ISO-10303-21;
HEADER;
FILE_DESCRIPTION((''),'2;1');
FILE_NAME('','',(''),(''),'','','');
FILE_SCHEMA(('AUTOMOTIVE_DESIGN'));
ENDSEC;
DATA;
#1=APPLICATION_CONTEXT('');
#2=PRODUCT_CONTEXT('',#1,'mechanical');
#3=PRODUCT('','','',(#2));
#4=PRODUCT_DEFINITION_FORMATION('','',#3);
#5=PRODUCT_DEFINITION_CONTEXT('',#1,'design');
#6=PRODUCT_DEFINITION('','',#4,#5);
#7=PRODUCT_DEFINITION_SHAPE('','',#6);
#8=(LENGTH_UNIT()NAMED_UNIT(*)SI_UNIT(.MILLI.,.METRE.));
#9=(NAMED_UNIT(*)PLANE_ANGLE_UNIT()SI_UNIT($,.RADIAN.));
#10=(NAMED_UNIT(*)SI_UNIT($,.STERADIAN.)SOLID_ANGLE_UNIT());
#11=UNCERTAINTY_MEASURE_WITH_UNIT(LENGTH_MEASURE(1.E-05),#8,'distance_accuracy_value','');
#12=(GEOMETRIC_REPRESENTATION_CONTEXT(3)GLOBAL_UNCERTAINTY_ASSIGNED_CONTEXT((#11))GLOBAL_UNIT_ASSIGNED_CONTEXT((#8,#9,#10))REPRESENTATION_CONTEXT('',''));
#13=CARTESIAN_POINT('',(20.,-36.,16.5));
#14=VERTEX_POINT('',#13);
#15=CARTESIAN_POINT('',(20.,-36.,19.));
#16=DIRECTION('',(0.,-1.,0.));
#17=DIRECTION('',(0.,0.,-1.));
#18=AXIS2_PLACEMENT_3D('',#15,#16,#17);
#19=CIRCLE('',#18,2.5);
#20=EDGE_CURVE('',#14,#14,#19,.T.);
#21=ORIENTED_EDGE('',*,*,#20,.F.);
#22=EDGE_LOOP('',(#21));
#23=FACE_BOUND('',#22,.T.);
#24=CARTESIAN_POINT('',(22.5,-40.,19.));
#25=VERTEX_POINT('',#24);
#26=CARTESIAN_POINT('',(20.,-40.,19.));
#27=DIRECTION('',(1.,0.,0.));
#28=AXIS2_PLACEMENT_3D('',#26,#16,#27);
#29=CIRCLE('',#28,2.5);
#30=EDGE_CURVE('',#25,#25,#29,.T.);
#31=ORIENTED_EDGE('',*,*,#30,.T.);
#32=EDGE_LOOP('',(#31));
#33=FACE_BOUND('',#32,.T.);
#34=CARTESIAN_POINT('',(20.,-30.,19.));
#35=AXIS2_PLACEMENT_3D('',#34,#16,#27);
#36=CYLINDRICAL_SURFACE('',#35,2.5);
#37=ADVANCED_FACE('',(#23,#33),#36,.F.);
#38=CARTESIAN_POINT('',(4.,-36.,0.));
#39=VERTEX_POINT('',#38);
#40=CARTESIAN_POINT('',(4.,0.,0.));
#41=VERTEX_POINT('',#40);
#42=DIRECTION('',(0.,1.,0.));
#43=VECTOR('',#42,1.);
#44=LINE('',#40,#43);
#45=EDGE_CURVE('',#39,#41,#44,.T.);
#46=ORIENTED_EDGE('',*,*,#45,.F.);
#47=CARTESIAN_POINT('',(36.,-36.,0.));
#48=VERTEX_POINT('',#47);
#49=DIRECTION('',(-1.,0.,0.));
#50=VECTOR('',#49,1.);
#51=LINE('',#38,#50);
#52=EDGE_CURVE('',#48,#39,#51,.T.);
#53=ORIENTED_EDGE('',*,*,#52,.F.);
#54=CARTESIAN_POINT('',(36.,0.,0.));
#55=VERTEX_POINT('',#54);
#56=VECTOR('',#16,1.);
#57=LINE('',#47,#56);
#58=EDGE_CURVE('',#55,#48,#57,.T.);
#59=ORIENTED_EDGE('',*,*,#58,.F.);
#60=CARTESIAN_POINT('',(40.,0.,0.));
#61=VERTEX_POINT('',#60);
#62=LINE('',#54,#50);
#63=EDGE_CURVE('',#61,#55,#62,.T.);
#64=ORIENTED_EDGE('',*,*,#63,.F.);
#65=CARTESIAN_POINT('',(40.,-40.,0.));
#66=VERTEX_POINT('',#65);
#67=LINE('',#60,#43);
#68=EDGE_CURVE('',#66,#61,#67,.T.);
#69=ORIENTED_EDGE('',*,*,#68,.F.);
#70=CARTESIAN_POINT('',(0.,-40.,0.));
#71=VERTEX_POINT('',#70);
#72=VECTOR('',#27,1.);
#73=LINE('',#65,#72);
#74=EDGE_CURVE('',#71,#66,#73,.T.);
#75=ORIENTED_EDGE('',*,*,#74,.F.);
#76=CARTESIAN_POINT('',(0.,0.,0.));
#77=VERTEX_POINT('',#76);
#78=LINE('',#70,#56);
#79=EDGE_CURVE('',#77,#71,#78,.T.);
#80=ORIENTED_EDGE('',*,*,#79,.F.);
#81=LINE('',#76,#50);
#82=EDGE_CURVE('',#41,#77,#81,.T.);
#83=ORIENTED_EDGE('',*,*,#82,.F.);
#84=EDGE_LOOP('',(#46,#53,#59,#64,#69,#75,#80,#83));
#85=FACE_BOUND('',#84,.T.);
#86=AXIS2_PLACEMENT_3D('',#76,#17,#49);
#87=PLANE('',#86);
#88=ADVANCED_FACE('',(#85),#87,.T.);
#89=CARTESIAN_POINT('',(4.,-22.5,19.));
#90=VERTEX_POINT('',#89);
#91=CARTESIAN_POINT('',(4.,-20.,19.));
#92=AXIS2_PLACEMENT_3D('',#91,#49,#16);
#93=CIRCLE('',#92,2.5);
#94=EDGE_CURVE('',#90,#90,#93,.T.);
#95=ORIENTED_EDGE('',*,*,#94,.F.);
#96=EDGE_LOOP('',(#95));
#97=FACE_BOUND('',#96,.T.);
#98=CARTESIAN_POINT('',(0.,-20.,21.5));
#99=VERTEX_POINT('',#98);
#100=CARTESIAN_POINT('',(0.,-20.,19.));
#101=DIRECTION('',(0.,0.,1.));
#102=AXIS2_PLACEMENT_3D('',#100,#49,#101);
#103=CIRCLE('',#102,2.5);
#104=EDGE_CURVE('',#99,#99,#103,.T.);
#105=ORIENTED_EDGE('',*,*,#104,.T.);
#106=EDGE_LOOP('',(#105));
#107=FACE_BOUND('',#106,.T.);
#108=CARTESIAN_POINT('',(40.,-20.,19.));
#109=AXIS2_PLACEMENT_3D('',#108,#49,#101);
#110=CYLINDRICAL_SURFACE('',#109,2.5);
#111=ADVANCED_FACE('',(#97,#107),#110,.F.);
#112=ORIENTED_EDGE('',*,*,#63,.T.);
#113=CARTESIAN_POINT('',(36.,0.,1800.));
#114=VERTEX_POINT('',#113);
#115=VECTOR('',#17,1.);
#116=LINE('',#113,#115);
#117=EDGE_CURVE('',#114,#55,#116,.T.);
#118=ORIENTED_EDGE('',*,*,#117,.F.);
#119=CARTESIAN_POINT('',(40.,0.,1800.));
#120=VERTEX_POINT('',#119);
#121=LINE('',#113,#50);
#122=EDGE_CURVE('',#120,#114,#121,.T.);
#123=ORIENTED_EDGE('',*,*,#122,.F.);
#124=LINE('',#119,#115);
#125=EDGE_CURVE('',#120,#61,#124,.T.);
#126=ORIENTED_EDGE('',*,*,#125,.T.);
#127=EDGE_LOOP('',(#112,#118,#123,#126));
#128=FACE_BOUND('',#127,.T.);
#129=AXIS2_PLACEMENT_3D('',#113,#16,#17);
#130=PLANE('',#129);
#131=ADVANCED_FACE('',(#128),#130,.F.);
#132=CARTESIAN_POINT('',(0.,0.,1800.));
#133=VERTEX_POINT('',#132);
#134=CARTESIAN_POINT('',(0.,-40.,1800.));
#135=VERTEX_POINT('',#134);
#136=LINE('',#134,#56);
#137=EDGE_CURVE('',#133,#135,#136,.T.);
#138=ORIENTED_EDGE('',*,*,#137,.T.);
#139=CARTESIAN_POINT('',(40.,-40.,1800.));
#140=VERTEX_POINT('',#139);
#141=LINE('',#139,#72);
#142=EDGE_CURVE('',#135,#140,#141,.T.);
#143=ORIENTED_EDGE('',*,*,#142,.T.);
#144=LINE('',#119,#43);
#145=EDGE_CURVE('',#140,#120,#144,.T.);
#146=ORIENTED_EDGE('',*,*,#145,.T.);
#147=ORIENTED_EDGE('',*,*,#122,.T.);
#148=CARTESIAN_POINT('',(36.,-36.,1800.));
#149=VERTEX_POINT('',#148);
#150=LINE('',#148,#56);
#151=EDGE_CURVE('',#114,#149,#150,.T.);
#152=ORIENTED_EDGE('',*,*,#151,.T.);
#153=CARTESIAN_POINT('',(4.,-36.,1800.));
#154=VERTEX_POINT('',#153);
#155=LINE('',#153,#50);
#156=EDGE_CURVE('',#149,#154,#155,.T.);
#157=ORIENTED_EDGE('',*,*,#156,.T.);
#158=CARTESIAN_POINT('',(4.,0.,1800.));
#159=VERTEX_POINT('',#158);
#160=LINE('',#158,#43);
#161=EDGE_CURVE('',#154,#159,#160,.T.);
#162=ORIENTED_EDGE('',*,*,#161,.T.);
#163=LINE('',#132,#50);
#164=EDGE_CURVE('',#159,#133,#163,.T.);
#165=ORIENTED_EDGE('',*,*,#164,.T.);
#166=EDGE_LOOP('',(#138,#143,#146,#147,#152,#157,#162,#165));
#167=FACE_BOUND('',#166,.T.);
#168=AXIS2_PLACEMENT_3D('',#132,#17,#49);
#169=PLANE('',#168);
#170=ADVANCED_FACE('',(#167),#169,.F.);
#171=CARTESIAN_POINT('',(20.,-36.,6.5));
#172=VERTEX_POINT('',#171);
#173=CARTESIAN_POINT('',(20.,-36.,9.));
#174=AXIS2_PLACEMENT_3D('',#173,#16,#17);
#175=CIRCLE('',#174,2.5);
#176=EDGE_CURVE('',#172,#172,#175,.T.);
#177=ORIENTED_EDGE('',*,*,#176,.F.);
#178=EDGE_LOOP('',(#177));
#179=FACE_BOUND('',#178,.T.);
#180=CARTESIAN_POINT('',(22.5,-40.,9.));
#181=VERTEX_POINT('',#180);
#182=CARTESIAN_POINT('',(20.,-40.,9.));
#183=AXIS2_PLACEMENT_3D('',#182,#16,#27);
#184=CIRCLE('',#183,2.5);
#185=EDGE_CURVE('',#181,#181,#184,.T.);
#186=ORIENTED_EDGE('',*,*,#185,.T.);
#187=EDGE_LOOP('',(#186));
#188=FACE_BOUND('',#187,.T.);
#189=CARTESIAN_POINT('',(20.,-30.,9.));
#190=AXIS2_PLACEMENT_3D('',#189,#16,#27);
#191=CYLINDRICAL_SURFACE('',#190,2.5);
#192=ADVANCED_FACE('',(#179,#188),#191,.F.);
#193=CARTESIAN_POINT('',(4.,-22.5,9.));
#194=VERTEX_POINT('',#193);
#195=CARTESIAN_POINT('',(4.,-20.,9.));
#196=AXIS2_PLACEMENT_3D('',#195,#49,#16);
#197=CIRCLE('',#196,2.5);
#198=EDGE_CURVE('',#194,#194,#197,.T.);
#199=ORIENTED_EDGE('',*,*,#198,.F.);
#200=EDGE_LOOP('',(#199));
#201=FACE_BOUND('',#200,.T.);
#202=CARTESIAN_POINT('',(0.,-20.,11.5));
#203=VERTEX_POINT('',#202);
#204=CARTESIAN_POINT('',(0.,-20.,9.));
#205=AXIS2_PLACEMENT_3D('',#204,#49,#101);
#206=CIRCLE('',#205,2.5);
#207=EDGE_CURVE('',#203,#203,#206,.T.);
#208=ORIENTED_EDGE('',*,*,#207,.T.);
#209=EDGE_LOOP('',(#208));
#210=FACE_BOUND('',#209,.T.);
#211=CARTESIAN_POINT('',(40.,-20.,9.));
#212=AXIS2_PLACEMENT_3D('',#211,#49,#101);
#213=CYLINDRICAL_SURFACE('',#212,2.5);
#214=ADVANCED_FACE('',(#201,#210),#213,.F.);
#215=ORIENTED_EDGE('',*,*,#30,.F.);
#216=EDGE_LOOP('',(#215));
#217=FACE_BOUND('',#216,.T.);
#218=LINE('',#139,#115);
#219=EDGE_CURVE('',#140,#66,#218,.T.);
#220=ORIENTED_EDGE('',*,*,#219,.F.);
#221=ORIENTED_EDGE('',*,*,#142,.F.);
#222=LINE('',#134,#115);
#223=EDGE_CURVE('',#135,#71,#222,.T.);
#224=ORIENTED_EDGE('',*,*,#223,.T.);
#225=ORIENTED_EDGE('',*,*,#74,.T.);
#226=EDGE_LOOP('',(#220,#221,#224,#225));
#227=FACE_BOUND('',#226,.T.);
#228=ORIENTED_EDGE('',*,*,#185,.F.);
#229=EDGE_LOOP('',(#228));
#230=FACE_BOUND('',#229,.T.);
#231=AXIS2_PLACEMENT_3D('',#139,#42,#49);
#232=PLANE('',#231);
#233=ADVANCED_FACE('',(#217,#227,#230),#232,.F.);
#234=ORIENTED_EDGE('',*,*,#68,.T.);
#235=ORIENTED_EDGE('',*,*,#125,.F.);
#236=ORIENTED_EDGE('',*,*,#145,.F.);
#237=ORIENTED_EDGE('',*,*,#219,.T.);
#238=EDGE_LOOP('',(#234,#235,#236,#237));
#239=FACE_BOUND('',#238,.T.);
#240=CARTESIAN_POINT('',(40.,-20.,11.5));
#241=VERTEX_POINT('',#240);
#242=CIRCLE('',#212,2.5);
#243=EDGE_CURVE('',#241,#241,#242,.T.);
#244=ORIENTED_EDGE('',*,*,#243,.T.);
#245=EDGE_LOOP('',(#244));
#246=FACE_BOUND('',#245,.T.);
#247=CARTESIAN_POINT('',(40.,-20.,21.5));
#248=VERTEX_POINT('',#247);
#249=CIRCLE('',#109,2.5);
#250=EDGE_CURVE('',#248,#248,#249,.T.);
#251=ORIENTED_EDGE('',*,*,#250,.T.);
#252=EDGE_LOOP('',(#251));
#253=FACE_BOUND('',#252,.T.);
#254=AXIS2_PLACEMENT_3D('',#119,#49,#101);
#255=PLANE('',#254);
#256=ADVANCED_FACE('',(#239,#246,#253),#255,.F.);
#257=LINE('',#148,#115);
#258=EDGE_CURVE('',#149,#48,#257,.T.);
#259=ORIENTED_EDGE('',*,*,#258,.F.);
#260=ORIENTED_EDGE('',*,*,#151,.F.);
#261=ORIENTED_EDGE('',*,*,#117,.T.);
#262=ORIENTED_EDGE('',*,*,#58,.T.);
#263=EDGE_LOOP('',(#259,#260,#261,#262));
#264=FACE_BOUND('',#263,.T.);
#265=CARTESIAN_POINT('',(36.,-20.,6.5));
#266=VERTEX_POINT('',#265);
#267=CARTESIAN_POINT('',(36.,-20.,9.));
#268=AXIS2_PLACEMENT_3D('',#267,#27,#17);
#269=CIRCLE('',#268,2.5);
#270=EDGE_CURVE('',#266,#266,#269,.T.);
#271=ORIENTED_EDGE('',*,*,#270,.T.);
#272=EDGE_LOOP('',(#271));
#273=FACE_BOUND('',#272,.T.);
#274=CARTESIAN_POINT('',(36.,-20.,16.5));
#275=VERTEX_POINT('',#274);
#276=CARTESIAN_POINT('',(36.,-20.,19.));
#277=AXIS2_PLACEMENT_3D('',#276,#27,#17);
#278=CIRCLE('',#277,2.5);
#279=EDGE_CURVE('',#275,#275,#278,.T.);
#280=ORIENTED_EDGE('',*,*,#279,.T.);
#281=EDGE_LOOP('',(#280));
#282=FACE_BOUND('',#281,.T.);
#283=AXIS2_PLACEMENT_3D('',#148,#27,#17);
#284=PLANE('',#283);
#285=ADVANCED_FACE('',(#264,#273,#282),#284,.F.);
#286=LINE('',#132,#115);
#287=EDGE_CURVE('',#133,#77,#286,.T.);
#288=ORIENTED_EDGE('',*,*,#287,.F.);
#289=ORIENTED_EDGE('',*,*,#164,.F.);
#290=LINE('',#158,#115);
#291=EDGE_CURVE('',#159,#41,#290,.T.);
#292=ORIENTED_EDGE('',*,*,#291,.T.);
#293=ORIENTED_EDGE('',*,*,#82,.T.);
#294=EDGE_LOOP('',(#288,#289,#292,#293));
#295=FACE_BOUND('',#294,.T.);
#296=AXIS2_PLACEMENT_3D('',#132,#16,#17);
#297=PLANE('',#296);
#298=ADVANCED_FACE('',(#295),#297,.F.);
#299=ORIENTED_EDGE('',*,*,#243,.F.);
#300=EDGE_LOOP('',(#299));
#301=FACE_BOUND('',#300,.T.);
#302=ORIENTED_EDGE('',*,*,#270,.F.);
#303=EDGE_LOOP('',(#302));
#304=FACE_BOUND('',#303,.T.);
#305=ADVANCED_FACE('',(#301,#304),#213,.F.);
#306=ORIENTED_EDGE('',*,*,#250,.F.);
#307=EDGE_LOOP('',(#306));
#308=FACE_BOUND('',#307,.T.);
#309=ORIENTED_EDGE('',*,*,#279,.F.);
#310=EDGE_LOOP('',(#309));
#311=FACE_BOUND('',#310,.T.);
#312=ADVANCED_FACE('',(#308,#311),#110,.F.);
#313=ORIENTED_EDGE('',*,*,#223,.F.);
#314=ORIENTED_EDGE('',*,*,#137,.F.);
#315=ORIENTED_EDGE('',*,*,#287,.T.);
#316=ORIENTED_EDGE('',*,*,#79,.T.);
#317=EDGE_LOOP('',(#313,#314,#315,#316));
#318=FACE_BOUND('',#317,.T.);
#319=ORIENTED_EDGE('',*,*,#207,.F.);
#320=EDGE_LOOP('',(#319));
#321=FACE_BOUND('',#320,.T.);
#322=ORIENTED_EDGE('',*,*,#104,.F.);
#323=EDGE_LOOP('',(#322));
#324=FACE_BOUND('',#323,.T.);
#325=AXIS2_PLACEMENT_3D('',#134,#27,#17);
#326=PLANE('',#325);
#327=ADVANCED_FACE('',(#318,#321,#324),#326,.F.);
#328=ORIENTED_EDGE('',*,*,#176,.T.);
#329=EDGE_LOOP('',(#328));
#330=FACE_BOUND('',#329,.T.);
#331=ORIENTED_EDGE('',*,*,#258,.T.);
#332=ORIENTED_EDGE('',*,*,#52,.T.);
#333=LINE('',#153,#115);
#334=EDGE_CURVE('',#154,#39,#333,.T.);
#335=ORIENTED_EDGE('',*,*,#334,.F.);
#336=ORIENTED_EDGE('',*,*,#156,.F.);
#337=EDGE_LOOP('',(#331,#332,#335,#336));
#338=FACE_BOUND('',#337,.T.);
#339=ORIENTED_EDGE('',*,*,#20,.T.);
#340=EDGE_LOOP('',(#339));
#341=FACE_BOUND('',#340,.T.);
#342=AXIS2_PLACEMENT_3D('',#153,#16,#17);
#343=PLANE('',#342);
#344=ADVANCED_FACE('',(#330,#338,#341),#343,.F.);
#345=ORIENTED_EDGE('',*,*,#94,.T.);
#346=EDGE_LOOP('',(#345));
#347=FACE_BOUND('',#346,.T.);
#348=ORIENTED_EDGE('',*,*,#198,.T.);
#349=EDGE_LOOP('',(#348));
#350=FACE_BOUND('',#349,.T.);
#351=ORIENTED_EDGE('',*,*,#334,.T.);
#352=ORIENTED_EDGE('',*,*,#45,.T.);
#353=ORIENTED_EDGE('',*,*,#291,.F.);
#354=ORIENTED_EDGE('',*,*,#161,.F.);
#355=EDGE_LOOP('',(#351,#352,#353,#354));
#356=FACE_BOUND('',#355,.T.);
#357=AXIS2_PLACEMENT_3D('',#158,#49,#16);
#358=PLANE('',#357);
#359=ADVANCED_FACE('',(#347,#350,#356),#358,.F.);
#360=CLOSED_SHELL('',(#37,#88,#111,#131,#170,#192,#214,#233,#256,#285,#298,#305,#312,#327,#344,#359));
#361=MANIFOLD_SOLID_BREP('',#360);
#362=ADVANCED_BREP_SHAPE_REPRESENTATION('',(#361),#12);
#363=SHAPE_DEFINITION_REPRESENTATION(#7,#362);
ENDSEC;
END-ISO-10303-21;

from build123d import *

# Parameters (mm, degrees)
SALIENTE_EXTRUIR1_DEPTH = 1800
CROQUIS2_R              = 2.5
CORTAR_EXTRUIR1_DEPTH   = 1801.888669518
CROQUIS3_R              = 2.5
CORTAR_EXTRUIR2_DEPTH   = 10


with BuildPart() as part:
    # Croquis1 → Saliente-Extruir1 (new body)
    with BuildSketch(Plane.XY):
        Polygon((0, 0), (4, 0), (4, -36), (36, -36), (36, 0), (40, 0), (40, -40), (0, -40), align=None)
    extrude(amount=SALIENTE_EXTRUIR1_DEPTH)

    # Croquis2 → Cortar-Extruir1 (cut, through all)
    with BuildSketch(Plane.ZY):
        with Locations((9, -20)):
            Circle(CROQUIS2_R)
        with Locations((19, -20)):
            Circle(CROQUIS2_R)
    extrude(amount=-CORTAR_EXTRUIR1_DEPTH, mode=Mode.SUBTRACT)

    # Croquis3 → Cortar-Extruir2 (cut)
    with BuildSketch(Plane(origin=(0, -40, 0), x_dir=(-1, 0, 0), z_dir=(0, -1, 0))):
        with Locations(Location((-20, -9, 0), (0, 0, 180))):
            Circle(CROQUIS3_R)
        with Locations(Location((-20, -19, 0), (0, 0, 180))):
            Circle(CROQUIS3_R)
    extrude(amount=-CORTAR_EXTRUIR2_DEPTH, mode=Mode.SUBTRACT)


solid = part.part
